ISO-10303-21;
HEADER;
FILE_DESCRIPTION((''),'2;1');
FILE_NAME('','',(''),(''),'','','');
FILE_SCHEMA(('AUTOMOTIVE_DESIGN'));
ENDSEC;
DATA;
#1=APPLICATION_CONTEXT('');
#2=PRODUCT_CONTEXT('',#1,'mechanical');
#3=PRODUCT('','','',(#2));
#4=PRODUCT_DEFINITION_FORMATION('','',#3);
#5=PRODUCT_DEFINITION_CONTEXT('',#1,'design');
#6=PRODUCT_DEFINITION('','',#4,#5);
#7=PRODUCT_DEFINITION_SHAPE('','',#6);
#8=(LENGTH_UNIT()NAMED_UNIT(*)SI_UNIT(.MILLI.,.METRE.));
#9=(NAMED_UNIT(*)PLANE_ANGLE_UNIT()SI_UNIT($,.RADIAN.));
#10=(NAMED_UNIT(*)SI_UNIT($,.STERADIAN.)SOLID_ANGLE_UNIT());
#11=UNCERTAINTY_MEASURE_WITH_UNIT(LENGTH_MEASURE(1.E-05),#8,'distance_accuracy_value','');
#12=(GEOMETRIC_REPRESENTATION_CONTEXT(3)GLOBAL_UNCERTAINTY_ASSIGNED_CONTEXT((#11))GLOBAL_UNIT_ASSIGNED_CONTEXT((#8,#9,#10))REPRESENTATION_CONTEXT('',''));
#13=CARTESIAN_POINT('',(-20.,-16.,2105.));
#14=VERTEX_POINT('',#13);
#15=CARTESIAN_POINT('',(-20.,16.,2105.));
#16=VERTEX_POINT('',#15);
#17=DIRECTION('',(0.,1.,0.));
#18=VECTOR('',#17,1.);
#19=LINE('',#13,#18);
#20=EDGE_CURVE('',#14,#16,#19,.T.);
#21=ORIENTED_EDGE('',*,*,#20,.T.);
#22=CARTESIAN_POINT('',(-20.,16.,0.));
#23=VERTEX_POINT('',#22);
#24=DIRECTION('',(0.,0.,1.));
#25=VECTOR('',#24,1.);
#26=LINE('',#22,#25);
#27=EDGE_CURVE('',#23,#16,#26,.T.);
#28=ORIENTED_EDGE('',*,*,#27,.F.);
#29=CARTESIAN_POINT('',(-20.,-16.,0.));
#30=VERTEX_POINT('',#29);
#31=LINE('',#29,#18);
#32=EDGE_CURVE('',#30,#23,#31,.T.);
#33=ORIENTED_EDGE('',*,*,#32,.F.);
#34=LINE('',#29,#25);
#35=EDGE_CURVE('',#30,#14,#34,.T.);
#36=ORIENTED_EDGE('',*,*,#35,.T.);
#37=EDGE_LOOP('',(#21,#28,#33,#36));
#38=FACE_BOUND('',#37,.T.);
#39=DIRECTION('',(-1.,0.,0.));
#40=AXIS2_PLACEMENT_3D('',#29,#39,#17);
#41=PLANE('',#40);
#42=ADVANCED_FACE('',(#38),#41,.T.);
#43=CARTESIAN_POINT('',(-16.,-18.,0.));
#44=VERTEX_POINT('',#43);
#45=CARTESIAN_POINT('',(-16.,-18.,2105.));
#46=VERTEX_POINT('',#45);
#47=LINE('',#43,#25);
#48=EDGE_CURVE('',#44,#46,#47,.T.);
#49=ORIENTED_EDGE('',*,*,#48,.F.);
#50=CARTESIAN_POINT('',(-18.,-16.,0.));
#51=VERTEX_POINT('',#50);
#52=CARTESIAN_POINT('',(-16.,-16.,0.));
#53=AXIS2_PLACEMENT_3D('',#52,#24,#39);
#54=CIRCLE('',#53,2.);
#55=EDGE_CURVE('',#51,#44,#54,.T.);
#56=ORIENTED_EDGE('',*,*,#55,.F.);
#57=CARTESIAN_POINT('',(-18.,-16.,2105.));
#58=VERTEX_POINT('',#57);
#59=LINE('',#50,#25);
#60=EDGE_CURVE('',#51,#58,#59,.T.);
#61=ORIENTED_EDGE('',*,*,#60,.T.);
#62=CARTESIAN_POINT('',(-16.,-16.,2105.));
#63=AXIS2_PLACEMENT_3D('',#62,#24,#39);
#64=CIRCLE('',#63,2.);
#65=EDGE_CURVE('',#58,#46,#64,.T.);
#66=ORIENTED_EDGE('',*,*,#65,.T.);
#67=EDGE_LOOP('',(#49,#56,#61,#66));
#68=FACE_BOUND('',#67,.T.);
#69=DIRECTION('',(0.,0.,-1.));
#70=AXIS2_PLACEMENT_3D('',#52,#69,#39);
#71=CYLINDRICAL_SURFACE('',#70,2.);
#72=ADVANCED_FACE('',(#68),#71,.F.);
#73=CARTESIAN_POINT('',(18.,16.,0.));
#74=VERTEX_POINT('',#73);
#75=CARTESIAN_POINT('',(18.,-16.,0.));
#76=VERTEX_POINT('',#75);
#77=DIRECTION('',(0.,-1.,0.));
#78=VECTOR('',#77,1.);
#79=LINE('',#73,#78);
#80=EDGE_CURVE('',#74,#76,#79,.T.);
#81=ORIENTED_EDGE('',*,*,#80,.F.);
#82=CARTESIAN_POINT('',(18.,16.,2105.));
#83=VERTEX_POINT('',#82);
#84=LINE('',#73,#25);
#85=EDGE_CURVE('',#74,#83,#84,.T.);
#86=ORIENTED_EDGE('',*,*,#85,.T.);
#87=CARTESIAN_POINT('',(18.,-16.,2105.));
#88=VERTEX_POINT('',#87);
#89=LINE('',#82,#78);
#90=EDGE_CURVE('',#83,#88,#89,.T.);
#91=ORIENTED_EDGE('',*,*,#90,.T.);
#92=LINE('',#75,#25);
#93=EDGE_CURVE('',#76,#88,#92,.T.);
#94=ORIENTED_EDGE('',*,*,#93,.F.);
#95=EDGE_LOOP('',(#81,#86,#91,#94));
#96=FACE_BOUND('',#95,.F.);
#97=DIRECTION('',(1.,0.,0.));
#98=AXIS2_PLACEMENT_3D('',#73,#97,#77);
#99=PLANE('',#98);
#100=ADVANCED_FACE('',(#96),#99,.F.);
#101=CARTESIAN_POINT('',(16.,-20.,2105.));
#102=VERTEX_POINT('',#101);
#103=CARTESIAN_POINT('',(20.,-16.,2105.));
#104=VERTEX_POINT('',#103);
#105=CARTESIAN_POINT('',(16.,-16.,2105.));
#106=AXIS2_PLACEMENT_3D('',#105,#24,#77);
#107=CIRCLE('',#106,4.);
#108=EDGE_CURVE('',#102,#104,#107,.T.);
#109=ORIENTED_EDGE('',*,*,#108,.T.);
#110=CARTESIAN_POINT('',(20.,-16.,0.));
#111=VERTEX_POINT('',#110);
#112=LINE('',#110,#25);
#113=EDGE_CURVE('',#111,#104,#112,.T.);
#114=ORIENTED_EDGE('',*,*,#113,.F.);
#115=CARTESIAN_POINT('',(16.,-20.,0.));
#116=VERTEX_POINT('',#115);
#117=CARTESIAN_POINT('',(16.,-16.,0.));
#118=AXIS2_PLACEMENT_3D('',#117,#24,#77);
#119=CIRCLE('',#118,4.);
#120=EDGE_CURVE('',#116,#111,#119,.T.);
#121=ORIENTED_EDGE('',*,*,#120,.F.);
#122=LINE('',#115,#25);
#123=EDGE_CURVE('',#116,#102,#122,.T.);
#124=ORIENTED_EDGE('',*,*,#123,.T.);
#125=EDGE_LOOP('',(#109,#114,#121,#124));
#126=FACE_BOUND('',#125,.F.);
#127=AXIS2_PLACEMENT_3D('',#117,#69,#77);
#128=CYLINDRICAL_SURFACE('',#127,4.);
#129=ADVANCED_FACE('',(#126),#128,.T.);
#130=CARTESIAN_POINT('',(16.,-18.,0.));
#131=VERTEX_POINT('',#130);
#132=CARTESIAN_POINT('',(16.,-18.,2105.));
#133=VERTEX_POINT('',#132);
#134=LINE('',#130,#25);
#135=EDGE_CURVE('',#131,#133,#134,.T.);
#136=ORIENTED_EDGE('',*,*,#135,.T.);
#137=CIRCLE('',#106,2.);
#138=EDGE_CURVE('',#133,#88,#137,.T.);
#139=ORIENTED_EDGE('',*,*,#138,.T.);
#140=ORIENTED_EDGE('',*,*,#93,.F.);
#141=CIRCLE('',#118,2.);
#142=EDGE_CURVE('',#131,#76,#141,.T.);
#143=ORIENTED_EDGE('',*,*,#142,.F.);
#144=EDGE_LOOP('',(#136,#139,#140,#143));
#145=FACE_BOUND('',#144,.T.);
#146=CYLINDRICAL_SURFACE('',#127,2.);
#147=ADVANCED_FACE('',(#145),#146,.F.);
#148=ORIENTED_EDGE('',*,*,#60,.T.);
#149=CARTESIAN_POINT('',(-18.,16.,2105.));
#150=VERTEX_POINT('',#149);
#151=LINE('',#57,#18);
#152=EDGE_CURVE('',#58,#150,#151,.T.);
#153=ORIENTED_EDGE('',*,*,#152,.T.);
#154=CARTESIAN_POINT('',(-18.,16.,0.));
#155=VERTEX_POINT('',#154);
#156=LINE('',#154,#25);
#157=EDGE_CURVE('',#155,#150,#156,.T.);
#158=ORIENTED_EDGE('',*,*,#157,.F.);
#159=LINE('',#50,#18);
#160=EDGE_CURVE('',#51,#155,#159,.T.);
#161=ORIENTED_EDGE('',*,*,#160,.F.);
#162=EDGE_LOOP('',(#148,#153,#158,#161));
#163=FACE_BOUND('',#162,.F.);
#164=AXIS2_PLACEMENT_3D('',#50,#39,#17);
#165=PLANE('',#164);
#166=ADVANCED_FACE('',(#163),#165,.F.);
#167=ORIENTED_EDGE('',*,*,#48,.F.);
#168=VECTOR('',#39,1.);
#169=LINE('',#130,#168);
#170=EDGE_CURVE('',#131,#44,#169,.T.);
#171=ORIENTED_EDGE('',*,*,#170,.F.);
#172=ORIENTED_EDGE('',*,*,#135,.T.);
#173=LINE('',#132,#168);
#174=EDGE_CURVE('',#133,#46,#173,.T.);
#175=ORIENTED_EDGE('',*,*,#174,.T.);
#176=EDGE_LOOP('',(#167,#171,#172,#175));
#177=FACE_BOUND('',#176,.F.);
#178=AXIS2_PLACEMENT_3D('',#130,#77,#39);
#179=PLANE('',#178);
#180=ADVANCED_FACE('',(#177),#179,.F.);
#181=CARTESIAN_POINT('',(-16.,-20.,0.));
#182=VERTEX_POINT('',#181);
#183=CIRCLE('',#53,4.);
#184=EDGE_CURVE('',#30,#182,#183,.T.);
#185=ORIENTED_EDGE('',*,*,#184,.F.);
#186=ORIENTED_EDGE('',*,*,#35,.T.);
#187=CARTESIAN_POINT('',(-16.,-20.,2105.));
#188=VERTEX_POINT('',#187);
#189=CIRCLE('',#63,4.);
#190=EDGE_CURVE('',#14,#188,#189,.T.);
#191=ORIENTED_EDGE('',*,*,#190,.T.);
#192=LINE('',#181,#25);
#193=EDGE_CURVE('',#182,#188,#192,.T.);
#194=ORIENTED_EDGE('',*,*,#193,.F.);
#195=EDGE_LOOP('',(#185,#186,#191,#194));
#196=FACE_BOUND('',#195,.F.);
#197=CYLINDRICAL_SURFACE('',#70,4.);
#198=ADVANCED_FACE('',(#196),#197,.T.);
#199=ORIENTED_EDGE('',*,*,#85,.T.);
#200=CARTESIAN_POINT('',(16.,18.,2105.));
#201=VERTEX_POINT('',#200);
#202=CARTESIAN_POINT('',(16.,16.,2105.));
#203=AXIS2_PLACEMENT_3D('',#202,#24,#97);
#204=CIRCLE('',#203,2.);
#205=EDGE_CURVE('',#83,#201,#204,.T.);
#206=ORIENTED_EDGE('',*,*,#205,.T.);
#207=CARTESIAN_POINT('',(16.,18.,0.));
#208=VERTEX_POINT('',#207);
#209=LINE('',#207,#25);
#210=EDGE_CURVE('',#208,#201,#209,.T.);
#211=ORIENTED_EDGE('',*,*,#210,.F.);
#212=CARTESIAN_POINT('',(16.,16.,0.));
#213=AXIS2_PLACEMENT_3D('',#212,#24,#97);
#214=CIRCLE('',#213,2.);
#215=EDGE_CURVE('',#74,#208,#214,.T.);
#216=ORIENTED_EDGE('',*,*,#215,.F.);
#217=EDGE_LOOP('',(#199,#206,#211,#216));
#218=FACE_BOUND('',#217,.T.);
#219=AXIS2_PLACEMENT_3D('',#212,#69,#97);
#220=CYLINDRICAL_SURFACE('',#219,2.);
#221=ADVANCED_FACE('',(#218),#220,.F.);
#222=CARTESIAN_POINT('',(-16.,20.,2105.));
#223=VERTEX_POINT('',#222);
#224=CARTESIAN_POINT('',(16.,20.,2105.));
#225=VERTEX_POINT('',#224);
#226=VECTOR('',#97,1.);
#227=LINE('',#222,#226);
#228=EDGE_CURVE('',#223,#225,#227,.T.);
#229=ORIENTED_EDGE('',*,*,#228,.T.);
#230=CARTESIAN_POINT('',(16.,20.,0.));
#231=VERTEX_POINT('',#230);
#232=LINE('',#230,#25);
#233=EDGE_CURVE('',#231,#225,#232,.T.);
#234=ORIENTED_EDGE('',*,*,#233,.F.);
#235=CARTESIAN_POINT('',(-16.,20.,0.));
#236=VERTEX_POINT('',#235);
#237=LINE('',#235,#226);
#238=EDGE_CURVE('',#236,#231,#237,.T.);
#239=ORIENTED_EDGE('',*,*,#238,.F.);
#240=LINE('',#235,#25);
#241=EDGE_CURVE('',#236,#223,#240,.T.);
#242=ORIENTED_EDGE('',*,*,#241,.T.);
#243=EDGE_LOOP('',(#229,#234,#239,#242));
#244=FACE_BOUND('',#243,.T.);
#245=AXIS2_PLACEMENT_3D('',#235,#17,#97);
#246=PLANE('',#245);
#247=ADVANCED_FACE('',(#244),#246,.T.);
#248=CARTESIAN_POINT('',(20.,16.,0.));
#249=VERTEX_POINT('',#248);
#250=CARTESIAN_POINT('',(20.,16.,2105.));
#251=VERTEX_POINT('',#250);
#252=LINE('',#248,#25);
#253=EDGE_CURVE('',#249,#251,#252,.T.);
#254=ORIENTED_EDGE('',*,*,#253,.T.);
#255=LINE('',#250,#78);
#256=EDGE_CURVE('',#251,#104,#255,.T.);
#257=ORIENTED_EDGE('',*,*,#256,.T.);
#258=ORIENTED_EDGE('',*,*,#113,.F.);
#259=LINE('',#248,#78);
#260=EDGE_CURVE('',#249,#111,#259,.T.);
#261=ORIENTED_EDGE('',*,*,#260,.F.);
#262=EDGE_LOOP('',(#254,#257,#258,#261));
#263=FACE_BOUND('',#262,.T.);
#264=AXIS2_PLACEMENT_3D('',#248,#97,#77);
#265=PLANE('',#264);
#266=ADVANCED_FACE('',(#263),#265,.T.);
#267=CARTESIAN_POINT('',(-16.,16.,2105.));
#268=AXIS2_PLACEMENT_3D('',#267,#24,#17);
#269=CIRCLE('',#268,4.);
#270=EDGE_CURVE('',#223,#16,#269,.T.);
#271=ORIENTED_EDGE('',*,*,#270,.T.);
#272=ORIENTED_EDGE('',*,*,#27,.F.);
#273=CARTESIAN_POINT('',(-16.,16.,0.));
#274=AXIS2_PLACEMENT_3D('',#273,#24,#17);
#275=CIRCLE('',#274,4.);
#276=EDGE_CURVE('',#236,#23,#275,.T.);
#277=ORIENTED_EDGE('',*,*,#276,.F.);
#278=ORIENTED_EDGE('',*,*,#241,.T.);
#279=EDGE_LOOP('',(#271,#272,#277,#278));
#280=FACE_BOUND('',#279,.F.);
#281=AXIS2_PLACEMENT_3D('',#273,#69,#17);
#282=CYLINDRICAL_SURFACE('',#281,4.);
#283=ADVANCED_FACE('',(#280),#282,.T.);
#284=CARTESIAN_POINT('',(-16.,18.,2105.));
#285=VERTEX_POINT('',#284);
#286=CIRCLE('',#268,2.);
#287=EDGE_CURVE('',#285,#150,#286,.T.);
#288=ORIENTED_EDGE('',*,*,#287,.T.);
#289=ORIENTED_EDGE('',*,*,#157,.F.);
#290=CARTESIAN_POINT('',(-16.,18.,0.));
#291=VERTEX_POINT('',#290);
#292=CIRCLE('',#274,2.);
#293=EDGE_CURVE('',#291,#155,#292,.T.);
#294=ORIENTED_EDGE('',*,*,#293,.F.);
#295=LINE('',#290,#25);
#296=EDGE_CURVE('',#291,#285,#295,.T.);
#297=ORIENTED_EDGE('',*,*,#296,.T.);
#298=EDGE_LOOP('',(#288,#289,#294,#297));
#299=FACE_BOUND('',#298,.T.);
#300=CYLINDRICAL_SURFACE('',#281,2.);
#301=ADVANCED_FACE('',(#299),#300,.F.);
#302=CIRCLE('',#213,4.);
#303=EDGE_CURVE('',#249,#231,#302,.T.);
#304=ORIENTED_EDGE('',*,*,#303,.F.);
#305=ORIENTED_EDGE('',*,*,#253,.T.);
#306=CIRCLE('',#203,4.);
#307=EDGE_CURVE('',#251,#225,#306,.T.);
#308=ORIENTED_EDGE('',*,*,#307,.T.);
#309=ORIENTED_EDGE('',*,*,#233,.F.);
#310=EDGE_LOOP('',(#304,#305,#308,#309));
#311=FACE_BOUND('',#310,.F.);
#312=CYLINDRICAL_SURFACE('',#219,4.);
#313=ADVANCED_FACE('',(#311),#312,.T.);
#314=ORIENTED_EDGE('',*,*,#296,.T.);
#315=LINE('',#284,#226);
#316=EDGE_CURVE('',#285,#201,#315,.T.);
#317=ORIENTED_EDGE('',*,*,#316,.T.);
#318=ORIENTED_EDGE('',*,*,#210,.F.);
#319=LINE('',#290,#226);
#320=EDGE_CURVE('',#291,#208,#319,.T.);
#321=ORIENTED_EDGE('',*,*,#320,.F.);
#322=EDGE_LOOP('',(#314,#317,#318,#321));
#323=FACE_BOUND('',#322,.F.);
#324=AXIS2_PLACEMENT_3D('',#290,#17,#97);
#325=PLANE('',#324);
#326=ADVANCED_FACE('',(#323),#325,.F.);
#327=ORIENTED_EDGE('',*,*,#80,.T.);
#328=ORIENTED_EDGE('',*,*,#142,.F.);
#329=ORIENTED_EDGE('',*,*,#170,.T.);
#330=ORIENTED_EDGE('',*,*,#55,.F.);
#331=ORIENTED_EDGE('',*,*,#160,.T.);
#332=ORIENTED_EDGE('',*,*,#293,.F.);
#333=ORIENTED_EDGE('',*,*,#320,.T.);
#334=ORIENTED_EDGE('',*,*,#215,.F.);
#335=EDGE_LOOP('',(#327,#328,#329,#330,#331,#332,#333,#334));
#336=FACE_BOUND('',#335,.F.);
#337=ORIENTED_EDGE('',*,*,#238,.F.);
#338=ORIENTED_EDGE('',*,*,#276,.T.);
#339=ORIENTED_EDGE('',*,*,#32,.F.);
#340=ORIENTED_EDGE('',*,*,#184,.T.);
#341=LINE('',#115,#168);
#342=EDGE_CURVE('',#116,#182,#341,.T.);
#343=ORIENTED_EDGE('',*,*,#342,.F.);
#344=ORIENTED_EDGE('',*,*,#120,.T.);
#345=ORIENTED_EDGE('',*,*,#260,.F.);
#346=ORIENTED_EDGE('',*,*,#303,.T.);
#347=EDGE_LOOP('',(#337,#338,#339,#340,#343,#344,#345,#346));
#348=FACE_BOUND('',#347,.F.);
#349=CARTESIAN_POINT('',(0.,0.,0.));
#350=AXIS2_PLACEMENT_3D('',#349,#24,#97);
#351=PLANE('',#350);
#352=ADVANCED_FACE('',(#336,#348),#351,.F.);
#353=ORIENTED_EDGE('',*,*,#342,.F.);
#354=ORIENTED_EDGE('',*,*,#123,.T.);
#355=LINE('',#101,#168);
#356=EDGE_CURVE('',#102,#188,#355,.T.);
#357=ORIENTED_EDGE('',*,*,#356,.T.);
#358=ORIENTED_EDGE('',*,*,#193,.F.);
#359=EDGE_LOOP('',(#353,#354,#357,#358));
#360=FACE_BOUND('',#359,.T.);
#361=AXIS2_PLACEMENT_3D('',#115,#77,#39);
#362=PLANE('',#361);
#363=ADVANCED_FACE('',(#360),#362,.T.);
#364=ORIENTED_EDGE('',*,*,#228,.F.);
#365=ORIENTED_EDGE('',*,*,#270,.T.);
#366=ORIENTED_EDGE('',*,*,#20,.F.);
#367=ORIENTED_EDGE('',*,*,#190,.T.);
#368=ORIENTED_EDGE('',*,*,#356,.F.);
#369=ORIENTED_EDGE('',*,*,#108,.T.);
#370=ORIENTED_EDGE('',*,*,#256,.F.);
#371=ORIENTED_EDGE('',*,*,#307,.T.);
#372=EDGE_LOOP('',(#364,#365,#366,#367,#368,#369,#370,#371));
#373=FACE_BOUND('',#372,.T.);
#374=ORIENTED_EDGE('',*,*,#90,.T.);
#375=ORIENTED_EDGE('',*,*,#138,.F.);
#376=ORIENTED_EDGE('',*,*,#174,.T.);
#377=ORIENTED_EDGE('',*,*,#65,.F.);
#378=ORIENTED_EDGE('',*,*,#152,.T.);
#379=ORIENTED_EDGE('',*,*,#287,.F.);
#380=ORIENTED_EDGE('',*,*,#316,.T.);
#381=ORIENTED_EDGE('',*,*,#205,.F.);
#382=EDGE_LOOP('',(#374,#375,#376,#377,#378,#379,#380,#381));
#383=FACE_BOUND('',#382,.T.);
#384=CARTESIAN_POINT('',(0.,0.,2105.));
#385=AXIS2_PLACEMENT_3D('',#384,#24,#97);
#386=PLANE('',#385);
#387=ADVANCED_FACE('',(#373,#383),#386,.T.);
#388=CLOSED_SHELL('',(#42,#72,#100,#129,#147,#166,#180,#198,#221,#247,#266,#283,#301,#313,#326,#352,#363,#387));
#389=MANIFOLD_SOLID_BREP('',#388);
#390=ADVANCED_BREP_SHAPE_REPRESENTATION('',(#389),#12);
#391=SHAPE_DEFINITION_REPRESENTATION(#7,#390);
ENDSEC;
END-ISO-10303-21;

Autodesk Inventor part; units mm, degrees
ref_plane "YZ Plane" through (0, 0, 0) normal (1, 0, 0) x (0, 1, 0)
ref_plane "Start Plane" through (0, 0, 0) normal (0, 0, 1) x (1, 0, 0)
ref_plane "End Plane" through (0, 0, 2105) normal (0, 0, 1) x (1, 0, 0)
sketch "Sketch" plane through (0, 0, 0) normal (0, 0, 1) x (1, 0, 0)
  line L0 (-20, -16) -> (-20, 16)
  line L1 (-16, 20) -> (16, 20)
  line L2 (20, 16) -> (20, -16)
  line L3 (16, -20) -> (-16, -20)
  arc A0 (-20, -16) -> (-16, -20) centre (-16, -16) ccw
  arc A1 (20, 16) -> (16, 20) centre (16, 16) ccw
  arc A2 (-16, 20) -> (-20, 16) centre (-16, 16) ccw
  arc A3 (16, -20) -> (20, -16) centre (16, -16) ccw
  arc A4 (-16, 18) -> (-18, 16) centre (-16, 16) ccw
  line L4 (-16, 18) -> (16, 18)
  arc A5 (18, 16) -> (16, 18) centre (16, 16) ccw
  line L5 (18, 16) -> (18, -16)
  arc A6 (16, -18) -> (18, -16) centre (16, -16) ccw
  line L6 (16, -18) -> (-16, -18)
  arc A7 (-18, -16) -> (-16, -18) centre (-16, -16) ccw
  line L7 (-18, -16) -> (-18, 16)
  line L8 (0, 29.1598) -> (0, -29.1598) construction
  line L9 (-29.1598, 0) -> (29.1598, 0) construction
  dimension "d7" = 4
  dimension "d9" = 40
  dimension "d11" = 40
  dimension "d12" = 2
  dimension "d15" = 20
  dimension "d16" = 20
extrude "Body" add sketch "Sketch" along normal up to surface (2105 mm away) from surface at 0
sketch "Sketch3" plane through (0, 0, 0) normal (0, 0, 1) x (1, 0, 0)
  line L0 (0, 0) -> (10, 0)
ref_plane "Work Plane3" through (0, 0, 0) normal (0, -1, 0) x (1, 0, 0)
sketch "Sketch4" plane through (0, 0, 0) normal (0, -1, 0) x (1, 0, 0)
  line L0 (-2, 0) -> (12, 0) projected
  line L1 (-2, 2105) -> (12, 2105) projected
  dimension "d18" = 2105
equation "\"d7\" = G_IR"
equation "\"d9\" = G_W"
equation "\"d11\" = G_H"
equation "\"d12\" = G_T"
equation "\"d15\" = 0.5 * d9"
equation "\"d16\" = 0.5 * d11"
equation "\"d3\" = G_L"
equation "\"G_W\" = 40"
equation "\"G_H\" = 40"
equation "\"G_T\" = 2"
equation "\"G_IR\" = 4"
equation "\"G_L\" = d18"
equation "\"G_OFFSET_START\" = 0"
equation "\"G_OFFSET_END\" = 0"
equation "\"d14\" = G_OFFSET_END + B_L"
equation "\"B_L\" = 2105"
properties part number "ISO 4019 - 40x40x2 - 2105" material "Steel, Mild"
